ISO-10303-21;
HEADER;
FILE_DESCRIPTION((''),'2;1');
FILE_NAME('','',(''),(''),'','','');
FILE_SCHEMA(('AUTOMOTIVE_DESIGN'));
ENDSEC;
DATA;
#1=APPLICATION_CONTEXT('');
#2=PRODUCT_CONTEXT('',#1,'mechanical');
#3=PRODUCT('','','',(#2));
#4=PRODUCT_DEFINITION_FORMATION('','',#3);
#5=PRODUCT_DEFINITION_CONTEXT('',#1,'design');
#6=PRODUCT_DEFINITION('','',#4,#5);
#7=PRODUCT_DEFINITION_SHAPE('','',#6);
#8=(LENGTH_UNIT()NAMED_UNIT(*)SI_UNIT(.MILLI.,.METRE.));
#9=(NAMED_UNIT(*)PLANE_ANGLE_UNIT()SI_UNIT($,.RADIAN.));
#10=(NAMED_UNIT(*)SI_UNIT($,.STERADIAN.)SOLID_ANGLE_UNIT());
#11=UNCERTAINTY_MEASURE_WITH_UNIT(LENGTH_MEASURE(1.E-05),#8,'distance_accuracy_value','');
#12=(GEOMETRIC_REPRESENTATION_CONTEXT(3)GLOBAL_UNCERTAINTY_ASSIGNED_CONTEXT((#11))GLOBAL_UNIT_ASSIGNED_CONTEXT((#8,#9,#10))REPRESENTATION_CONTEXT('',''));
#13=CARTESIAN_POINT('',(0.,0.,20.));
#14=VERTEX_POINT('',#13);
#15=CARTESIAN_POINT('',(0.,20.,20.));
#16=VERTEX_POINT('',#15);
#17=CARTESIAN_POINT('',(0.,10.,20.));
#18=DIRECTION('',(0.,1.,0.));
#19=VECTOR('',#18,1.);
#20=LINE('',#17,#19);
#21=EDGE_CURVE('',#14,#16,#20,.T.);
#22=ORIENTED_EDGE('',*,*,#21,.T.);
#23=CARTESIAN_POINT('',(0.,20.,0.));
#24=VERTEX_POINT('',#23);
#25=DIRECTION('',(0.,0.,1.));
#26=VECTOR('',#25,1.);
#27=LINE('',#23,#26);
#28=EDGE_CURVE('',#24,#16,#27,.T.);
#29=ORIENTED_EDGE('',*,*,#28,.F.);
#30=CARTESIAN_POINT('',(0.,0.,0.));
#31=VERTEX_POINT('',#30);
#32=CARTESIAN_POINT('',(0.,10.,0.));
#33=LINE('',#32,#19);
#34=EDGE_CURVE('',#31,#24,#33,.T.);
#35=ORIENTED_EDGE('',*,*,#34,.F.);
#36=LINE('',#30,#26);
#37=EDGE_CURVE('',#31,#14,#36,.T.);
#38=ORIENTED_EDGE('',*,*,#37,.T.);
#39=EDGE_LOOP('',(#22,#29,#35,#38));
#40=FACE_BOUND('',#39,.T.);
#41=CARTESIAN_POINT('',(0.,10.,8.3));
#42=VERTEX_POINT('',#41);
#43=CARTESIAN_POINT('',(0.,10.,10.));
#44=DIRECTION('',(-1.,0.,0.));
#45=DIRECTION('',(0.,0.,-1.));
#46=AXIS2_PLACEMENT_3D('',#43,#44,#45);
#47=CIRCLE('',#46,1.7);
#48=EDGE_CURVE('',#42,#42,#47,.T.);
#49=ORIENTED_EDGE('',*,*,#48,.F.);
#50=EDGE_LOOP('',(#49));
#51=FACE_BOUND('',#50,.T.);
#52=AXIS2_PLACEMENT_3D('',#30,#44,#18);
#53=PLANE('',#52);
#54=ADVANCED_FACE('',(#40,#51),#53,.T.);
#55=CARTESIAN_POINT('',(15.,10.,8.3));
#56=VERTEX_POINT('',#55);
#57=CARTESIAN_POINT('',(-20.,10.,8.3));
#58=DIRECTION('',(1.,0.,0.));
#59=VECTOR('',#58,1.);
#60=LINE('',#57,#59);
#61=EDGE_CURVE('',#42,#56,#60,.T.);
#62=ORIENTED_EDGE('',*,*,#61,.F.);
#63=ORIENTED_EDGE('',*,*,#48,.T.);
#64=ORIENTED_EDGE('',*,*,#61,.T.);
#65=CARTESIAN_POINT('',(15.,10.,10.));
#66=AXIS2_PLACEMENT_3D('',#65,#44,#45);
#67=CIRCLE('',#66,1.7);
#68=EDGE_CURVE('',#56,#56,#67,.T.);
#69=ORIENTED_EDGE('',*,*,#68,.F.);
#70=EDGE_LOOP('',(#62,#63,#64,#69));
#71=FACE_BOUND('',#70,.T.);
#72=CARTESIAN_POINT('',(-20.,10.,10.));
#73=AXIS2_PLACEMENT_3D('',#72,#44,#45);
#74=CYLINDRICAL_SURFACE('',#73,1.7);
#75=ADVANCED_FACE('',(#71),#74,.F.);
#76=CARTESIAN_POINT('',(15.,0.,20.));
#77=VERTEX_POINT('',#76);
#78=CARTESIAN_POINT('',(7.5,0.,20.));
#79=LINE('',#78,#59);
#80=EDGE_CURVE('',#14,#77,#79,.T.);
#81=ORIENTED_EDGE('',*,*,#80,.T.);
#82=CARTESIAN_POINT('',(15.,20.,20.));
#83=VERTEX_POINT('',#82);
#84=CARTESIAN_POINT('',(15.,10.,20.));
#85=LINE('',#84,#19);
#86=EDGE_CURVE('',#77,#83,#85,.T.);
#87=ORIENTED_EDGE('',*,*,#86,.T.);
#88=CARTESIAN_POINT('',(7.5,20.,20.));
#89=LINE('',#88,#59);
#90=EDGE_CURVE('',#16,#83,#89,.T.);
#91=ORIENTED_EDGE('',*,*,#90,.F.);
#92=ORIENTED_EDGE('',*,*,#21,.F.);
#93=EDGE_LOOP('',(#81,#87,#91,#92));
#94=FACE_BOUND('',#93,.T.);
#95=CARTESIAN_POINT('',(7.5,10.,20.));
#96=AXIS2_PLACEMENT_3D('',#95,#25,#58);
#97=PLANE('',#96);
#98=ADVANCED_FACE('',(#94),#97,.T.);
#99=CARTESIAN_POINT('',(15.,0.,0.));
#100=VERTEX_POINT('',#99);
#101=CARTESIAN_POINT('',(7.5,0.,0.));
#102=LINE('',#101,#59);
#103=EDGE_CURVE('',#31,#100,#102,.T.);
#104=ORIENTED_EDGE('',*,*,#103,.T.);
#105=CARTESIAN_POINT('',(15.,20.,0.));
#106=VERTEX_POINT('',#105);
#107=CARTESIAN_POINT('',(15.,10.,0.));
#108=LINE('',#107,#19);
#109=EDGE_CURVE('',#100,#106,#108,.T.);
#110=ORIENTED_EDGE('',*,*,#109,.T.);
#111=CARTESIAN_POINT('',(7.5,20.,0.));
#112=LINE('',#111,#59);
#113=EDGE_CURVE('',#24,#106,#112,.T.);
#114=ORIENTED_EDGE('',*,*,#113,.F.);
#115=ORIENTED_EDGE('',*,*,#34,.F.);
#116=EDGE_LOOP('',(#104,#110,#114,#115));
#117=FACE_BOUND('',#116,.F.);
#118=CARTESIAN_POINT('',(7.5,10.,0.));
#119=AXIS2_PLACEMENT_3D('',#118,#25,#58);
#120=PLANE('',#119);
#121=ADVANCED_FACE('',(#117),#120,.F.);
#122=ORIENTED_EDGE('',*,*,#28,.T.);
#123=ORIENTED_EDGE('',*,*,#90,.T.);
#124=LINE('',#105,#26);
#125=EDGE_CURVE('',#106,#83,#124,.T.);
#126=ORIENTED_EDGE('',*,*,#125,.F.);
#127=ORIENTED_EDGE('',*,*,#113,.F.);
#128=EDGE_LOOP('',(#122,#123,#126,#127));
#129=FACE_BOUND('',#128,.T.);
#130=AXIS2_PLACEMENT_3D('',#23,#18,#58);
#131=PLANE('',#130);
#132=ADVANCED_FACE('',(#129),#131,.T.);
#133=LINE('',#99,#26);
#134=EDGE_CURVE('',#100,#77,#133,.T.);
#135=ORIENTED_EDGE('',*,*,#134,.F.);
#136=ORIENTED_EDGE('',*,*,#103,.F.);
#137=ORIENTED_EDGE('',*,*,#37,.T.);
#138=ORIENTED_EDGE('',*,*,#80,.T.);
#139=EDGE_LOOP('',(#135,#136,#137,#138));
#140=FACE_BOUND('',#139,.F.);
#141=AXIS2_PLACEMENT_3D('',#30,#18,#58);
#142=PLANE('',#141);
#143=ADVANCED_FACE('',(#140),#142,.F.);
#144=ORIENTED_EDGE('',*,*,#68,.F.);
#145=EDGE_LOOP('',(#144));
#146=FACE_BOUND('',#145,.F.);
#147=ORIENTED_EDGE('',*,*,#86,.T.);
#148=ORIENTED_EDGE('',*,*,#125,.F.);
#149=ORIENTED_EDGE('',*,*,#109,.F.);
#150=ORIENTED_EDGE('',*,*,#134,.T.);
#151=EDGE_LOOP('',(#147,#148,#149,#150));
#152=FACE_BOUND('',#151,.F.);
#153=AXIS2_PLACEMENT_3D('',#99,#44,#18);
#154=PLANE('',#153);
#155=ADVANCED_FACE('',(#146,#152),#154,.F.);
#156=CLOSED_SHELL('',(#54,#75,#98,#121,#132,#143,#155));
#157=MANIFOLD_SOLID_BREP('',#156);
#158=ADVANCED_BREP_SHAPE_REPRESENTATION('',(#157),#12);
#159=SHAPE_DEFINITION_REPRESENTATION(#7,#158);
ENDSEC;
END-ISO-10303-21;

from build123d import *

# Parameters (mm, degrees)
CYLINDER017_R           = 1.7
CYLINDER017_DEPTH       = 80
CYLINDER017_PITCH_ANGLE = 90
BOX_W                   = 15
BOX_H                   = 20
BOX_DEPTH               = 20


with BuildPart() as taladro_tornillo010:
    # Cylinder017 → Cylinder017 (new body)
    with BuildSketch(Plane.XY):
        Circle(CYLINDER017_R)
    extrude(amount=CYLINDER017_DEPTH)


with BuildPart() as taladro_tornillo010_1:
    # Cylinder017 pitch: moved
    add(taladro_tornillo010.part.rotate(Axis((0, 0, 0), (0, 1, 0)), CYLINDER017_PITCH_ANGLE))


with BuildPart() as taladro_tornillo010_2:
    # Cylinder017 placement: moved
    add(taladro_tornillo010_1.part.moved(Location((-20, 10, 10))))


with BuildPart() as cut:
    # Box → Box (new body)
    with BuildSketch(Plane.XY):
        with Locations((7.5, 10)):
            Rectangle(BOX_W, BOX_H)
    extrude(amount=BOX_DEPTH)

    # Cut: cut Taladro tornillo010
    add(taladro_tornillo010_2.part, mode=Mode.SUBTRACT)


solid = cut.part
